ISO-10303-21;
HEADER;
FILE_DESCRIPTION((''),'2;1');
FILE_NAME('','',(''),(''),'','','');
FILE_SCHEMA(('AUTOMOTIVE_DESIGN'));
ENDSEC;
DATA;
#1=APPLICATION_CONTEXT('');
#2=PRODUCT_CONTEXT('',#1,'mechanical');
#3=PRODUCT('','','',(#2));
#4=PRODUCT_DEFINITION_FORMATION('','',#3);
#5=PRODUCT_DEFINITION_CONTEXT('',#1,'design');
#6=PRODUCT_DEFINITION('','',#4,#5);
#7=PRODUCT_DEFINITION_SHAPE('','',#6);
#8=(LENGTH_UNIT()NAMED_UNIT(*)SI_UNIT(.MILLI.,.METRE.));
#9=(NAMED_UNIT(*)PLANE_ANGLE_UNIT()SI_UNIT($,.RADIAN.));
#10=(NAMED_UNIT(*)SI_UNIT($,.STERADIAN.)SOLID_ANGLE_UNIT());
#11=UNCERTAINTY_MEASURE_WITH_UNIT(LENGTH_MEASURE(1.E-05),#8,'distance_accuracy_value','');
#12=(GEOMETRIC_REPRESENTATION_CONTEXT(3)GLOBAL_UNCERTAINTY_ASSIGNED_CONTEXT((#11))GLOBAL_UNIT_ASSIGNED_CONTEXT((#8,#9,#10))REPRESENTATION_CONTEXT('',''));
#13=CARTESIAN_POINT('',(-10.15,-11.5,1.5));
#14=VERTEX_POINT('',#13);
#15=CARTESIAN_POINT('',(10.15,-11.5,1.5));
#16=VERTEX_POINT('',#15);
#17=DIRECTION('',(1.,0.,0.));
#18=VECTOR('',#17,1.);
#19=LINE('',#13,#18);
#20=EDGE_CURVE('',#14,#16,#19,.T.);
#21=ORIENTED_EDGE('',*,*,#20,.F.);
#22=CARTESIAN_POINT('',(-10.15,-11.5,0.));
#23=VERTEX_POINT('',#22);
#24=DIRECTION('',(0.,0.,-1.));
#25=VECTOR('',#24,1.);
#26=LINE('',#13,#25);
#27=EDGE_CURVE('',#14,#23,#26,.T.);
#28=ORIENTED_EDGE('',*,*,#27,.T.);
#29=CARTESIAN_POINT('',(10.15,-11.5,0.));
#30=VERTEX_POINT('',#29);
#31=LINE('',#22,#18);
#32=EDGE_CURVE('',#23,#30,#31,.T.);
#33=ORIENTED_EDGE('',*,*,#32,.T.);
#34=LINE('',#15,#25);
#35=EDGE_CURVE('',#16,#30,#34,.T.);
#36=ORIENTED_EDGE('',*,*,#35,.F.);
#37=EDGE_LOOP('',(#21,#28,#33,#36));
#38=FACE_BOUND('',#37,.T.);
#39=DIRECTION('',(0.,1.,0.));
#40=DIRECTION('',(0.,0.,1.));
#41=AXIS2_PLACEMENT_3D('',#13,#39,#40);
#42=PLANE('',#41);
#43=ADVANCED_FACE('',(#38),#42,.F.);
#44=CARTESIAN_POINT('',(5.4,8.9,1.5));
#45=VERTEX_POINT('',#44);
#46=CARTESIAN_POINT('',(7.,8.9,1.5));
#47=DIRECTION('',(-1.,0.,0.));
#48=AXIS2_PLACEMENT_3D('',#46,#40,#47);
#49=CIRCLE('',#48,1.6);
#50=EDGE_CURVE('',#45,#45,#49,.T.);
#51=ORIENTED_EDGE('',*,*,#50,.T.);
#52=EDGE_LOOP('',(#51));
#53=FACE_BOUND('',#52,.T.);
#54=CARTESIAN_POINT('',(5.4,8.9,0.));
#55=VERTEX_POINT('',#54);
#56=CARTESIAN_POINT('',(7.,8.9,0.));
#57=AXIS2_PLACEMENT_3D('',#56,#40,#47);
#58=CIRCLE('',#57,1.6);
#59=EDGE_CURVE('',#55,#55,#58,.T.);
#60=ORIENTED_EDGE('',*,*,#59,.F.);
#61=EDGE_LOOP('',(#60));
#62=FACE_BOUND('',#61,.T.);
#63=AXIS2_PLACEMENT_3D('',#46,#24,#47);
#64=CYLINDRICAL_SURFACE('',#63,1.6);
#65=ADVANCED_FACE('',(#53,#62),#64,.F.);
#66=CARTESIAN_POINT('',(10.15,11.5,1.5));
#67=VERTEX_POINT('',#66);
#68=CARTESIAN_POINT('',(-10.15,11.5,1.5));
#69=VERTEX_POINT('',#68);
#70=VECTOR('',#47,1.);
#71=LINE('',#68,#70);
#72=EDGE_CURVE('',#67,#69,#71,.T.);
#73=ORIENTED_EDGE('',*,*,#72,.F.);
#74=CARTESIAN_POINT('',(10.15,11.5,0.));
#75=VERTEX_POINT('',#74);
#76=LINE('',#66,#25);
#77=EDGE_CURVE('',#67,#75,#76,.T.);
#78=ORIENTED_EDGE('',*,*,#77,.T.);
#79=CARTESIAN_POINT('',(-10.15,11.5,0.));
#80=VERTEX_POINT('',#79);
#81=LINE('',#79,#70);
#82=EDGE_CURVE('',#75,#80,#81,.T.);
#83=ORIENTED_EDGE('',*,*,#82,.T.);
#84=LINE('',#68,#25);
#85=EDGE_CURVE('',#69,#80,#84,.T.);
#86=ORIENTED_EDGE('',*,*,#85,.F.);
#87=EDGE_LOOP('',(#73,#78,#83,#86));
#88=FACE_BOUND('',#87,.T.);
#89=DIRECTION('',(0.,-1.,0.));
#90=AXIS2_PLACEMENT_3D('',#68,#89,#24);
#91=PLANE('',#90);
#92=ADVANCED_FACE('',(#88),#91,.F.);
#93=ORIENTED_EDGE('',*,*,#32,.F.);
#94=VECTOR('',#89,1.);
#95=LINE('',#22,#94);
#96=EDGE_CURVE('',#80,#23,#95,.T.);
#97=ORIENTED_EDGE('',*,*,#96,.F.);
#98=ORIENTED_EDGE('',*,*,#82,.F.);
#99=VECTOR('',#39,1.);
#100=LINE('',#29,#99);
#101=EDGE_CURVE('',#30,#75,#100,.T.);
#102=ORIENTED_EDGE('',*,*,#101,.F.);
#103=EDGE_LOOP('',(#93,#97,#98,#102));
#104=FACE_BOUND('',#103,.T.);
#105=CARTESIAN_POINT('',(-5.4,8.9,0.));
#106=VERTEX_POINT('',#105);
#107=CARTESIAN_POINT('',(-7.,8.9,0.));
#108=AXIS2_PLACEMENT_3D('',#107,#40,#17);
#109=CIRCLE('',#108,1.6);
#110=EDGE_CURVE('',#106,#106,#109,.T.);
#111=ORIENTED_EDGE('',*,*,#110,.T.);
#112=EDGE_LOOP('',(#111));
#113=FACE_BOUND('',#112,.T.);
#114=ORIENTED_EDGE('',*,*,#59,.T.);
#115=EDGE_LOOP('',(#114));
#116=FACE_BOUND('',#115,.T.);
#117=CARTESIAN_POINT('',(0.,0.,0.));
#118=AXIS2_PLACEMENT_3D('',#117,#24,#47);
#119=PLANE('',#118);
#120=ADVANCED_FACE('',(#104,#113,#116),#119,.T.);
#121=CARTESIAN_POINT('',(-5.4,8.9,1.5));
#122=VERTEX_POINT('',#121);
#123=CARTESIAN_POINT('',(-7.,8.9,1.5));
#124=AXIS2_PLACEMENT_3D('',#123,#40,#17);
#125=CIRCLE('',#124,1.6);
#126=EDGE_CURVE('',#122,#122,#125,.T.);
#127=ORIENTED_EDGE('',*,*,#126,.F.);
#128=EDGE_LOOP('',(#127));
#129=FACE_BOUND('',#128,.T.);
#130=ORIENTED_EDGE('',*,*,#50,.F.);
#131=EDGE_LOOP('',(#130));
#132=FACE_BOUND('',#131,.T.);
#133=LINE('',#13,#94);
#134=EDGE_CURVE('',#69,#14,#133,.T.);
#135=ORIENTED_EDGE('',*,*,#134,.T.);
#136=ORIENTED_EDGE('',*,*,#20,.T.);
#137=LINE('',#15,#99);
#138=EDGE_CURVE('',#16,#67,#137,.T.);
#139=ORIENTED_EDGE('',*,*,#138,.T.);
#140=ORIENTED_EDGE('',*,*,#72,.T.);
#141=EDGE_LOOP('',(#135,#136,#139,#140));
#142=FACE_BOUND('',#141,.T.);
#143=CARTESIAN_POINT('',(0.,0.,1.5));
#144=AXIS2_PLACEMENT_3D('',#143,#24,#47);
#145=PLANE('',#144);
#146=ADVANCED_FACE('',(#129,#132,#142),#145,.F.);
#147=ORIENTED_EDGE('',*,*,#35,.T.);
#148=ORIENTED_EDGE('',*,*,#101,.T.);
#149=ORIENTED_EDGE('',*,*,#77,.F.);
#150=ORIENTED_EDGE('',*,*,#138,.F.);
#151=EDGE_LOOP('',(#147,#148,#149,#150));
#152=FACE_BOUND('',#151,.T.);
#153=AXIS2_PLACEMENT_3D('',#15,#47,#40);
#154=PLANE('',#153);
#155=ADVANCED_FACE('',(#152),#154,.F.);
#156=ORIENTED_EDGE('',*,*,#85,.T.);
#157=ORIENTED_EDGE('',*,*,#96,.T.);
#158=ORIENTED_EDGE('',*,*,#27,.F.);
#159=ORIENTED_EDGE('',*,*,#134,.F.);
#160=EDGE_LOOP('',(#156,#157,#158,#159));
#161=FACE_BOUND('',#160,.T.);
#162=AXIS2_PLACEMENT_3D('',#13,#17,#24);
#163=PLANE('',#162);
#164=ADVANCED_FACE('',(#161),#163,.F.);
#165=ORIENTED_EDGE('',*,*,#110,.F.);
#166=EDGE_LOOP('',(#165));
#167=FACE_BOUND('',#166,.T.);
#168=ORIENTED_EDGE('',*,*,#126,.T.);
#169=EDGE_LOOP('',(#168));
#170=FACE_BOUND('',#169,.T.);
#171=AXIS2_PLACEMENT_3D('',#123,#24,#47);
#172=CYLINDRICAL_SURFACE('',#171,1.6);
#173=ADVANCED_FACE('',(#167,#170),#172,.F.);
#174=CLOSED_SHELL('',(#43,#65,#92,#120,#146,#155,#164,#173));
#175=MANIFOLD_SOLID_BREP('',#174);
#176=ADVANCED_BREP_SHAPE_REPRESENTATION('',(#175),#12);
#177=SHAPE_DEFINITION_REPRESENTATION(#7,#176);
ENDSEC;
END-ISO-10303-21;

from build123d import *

# Parameters (mm, degrees)
SKETCH_1_W      = 20.3
SKETCH_1_H      = 23
SKETCH_1_R      = 1.6
EXTRUDE_1_DEPTH = 1.5


with BuildPart() as part:
    # Эскиз1 → Бобышка-Вытянуть1 (new body)
    with BuildSketch(Plane.XY):
        Rectangle(SKETCH_1_W, SKETCH_1_H)
        with Locations((-7, 8.9)):
            Circle(SKETCH_1_R, mode=Mode.SUBTRACT)
        with Locations(Location((7, 8.9, 0), (0, 0, 180))):
            Circle(SKETCH_1_R, mode=Mode.SUBTRACT)
    extrude(amount=EXTRUDE_1_DEPTH)


solid = part.part
